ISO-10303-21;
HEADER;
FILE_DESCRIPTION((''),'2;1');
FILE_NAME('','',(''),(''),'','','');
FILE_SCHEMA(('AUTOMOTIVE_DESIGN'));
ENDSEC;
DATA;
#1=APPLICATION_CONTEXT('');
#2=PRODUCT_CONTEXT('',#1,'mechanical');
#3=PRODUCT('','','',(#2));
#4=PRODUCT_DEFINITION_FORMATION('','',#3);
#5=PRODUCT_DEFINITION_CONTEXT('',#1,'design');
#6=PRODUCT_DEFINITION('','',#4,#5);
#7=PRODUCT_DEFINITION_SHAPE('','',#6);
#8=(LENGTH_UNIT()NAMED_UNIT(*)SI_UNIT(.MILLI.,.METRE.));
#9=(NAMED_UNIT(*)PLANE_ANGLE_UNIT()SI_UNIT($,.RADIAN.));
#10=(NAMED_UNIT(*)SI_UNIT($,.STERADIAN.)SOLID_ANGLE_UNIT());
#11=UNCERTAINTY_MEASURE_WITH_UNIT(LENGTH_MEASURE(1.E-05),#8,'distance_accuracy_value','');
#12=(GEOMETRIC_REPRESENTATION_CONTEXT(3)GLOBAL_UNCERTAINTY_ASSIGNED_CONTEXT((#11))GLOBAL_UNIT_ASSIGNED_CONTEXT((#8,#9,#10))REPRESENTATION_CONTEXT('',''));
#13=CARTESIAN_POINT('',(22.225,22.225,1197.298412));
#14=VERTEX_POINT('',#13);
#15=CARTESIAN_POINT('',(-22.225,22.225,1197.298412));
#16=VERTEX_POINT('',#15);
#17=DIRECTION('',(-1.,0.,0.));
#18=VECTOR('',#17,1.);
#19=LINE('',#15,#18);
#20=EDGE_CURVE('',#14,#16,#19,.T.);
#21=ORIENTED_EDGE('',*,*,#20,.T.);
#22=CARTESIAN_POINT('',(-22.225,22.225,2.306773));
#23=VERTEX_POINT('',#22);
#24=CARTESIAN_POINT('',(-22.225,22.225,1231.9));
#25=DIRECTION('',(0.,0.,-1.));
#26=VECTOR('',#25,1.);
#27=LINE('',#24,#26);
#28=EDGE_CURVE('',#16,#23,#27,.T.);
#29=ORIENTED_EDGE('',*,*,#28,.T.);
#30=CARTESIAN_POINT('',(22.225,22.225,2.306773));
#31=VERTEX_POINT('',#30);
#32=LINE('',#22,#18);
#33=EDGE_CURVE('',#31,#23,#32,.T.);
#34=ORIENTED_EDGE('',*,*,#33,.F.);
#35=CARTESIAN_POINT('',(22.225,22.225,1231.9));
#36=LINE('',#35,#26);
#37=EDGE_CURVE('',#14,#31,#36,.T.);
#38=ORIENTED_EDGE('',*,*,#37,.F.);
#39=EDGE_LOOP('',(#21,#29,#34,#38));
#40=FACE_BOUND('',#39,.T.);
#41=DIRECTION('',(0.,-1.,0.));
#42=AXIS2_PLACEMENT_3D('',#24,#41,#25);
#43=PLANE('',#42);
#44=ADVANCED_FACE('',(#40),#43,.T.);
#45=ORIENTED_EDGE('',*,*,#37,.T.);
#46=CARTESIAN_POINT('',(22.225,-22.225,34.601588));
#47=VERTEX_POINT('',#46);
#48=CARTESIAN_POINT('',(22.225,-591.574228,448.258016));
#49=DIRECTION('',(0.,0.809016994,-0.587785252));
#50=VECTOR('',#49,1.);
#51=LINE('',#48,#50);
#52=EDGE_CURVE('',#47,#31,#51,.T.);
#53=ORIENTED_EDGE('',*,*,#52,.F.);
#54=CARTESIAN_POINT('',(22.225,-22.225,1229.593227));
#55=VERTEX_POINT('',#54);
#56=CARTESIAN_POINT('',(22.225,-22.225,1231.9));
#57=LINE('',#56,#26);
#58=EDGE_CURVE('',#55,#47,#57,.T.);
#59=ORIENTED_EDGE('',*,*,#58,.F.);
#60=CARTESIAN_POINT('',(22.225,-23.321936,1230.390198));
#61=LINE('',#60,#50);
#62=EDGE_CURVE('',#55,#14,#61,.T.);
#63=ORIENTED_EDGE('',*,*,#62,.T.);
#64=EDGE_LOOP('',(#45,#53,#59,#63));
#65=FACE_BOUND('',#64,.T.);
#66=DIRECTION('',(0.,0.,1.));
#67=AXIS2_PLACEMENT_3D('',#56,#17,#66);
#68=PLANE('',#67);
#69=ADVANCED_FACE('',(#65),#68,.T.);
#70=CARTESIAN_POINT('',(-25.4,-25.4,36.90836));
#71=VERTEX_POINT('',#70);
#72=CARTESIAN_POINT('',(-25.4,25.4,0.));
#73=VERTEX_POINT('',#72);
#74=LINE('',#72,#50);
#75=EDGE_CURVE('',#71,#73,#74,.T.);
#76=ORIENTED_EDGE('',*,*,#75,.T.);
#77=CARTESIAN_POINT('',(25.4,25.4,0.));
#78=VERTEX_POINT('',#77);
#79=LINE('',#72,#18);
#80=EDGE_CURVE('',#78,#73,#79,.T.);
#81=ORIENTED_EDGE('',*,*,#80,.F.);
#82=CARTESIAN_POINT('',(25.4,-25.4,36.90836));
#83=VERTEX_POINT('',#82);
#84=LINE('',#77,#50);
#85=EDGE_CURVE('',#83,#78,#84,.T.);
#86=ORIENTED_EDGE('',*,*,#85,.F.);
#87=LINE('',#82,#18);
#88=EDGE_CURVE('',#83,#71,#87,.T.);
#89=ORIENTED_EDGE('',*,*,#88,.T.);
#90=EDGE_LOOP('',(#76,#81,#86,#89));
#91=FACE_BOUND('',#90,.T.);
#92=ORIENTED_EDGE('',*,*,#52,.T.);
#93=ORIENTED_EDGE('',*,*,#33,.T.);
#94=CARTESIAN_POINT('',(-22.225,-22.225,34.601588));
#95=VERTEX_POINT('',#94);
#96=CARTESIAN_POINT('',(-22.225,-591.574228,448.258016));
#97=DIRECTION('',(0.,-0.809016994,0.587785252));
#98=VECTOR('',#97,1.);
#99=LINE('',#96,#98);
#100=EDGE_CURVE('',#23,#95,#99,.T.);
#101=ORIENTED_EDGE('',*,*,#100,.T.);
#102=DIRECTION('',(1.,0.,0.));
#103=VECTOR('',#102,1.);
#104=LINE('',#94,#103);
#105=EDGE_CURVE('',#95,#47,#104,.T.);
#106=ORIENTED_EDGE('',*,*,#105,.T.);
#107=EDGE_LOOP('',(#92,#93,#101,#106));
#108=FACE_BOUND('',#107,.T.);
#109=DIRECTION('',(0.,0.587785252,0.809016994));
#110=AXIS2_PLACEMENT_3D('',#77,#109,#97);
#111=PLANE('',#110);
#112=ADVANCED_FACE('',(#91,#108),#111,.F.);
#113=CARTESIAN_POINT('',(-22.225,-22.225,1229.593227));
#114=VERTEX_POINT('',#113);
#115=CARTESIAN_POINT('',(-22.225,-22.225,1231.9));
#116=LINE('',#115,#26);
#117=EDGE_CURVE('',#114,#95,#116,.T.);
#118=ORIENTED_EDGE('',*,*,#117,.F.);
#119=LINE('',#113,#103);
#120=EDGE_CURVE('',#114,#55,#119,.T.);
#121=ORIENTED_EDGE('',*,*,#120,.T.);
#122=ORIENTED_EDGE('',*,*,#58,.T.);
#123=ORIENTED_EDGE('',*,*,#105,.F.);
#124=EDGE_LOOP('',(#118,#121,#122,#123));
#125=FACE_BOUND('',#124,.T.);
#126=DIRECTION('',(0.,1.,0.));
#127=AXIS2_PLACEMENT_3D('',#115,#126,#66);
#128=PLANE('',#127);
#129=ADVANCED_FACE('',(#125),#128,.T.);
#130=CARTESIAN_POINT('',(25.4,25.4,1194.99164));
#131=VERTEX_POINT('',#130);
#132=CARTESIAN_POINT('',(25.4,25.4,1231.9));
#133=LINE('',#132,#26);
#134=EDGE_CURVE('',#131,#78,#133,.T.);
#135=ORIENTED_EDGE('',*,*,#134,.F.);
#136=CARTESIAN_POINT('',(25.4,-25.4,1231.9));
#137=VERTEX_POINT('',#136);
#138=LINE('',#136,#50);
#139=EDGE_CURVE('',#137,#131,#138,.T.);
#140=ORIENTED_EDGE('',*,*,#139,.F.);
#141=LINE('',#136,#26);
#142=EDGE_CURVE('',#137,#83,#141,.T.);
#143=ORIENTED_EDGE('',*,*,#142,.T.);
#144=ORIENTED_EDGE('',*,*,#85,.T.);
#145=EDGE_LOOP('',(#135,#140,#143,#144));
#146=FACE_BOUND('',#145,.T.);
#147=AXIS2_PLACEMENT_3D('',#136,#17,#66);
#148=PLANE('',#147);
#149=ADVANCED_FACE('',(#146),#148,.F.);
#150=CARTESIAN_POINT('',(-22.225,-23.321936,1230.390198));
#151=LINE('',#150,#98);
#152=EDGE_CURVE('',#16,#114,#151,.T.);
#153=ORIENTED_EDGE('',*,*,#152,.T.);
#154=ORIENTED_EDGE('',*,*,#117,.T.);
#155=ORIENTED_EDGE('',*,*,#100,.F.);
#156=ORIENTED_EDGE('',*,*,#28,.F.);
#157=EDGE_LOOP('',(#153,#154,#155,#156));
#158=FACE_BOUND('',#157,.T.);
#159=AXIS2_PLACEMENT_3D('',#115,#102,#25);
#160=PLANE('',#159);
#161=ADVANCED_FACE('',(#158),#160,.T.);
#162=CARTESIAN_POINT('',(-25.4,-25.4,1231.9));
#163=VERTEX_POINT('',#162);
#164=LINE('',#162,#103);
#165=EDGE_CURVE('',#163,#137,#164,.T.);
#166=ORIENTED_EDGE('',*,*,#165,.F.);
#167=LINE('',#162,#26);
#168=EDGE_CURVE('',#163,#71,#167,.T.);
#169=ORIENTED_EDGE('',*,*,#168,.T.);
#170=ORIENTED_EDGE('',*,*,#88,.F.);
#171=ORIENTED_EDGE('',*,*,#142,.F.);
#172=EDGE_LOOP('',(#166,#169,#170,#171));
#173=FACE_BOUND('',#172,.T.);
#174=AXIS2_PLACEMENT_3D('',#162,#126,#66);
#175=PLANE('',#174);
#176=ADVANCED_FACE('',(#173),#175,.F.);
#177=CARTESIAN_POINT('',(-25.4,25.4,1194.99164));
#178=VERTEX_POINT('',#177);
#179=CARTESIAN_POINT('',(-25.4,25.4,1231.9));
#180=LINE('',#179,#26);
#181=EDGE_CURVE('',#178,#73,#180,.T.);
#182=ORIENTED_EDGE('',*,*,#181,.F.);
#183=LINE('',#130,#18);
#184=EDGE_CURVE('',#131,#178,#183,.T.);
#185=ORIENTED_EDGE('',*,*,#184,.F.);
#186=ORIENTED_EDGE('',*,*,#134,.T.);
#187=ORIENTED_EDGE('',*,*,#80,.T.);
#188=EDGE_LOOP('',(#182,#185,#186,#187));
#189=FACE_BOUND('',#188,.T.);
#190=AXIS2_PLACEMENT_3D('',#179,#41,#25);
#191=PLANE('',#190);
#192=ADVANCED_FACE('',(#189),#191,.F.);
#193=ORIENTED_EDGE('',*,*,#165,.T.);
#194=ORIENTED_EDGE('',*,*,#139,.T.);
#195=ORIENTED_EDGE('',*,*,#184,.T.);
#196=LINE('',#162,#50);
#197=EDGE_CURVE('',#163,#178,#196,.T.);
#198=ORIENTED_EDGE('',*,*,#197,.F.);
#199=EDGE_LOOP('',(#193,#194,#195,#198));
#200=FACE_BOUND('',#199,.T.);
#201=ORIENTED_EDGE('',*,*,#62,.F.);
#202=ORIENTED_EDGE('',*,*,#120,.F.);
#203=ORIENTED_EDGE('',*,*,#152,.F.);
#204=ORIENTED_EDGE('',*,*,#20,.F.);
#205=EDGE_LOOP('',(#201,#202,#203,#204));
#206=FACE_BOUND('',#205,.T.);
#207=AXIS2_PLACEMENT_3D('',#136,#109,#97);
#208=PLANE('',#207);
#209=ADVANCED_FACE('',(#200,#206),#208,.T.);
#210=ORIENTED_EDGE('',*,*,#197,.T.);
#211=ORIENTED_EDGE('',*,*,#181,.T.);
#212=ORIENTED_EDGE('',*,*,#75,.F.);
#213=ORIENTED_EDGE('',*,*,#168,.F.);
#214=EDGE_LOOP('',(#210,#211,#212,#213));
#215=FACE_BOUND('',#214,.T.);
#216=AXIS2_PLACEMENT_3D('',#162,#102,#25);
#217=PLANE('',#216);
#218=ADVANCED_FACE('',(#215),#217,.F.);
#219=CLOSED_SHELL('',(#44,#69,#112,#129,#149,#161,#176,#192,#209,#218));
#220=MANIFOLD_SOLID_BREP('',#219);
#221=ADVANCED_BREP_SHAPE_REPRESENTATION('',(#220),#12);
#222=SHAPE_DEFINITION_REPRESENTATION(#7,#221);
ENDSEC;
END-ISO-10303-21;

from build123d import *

# Parameters (mm, degrees)
SKETCH1_W           = 50.8
SKETCH1_H           = 50.8
SKETCH1_W_2         = 44.45
SKETCH1_H_2         = 44.45
BOSS_EXTRUDE1_DEPTH = 1231.9
CUT_EXTRUDE1_DEPTH  = 1234.20858333
CUT_EXTRUDE2_DEPTH  = 1234.20858333


with BuildPart() as part:
    # Sketch1 → Boss-Extrude1 (new body)
    with BuildSketch(Plane.XY):
        Rectangle(SKETCH1_W, SKETCH1_H)
        Rectangle(SKETCH1_W_2, SKETCH1_H_2, mode=Mode.SUBTRACT)
    extrude(amount=BOSS_EXTRUDE1_DEPTH)

    # Sketch2 → Cut-Extrude1 (cut, through all)
    with BuildSketch(Plane.ZY.offset(25.4)):
        Polygon((0, 25.4), (36.908360423, -25.4), (0, -25.4), align=None)
    extrude(amount=-CUT_EXTRUDE1_DEPTH, mode=Mode.SUBTRACT)

    # Sketch3 → Cut-Extrude2 (cut, through all)
    with BuildSketch(Plane.ZY.offset(25.4)):
        Polygon((1231.9, -25.4), (1194.991639577, 25.4), (1231.9, 25.4), align=None)
    extrude(amount=-CUT_EXTRUDE2_DEPTH, mode=Mode.SUBTRACT)


solid = part.part
